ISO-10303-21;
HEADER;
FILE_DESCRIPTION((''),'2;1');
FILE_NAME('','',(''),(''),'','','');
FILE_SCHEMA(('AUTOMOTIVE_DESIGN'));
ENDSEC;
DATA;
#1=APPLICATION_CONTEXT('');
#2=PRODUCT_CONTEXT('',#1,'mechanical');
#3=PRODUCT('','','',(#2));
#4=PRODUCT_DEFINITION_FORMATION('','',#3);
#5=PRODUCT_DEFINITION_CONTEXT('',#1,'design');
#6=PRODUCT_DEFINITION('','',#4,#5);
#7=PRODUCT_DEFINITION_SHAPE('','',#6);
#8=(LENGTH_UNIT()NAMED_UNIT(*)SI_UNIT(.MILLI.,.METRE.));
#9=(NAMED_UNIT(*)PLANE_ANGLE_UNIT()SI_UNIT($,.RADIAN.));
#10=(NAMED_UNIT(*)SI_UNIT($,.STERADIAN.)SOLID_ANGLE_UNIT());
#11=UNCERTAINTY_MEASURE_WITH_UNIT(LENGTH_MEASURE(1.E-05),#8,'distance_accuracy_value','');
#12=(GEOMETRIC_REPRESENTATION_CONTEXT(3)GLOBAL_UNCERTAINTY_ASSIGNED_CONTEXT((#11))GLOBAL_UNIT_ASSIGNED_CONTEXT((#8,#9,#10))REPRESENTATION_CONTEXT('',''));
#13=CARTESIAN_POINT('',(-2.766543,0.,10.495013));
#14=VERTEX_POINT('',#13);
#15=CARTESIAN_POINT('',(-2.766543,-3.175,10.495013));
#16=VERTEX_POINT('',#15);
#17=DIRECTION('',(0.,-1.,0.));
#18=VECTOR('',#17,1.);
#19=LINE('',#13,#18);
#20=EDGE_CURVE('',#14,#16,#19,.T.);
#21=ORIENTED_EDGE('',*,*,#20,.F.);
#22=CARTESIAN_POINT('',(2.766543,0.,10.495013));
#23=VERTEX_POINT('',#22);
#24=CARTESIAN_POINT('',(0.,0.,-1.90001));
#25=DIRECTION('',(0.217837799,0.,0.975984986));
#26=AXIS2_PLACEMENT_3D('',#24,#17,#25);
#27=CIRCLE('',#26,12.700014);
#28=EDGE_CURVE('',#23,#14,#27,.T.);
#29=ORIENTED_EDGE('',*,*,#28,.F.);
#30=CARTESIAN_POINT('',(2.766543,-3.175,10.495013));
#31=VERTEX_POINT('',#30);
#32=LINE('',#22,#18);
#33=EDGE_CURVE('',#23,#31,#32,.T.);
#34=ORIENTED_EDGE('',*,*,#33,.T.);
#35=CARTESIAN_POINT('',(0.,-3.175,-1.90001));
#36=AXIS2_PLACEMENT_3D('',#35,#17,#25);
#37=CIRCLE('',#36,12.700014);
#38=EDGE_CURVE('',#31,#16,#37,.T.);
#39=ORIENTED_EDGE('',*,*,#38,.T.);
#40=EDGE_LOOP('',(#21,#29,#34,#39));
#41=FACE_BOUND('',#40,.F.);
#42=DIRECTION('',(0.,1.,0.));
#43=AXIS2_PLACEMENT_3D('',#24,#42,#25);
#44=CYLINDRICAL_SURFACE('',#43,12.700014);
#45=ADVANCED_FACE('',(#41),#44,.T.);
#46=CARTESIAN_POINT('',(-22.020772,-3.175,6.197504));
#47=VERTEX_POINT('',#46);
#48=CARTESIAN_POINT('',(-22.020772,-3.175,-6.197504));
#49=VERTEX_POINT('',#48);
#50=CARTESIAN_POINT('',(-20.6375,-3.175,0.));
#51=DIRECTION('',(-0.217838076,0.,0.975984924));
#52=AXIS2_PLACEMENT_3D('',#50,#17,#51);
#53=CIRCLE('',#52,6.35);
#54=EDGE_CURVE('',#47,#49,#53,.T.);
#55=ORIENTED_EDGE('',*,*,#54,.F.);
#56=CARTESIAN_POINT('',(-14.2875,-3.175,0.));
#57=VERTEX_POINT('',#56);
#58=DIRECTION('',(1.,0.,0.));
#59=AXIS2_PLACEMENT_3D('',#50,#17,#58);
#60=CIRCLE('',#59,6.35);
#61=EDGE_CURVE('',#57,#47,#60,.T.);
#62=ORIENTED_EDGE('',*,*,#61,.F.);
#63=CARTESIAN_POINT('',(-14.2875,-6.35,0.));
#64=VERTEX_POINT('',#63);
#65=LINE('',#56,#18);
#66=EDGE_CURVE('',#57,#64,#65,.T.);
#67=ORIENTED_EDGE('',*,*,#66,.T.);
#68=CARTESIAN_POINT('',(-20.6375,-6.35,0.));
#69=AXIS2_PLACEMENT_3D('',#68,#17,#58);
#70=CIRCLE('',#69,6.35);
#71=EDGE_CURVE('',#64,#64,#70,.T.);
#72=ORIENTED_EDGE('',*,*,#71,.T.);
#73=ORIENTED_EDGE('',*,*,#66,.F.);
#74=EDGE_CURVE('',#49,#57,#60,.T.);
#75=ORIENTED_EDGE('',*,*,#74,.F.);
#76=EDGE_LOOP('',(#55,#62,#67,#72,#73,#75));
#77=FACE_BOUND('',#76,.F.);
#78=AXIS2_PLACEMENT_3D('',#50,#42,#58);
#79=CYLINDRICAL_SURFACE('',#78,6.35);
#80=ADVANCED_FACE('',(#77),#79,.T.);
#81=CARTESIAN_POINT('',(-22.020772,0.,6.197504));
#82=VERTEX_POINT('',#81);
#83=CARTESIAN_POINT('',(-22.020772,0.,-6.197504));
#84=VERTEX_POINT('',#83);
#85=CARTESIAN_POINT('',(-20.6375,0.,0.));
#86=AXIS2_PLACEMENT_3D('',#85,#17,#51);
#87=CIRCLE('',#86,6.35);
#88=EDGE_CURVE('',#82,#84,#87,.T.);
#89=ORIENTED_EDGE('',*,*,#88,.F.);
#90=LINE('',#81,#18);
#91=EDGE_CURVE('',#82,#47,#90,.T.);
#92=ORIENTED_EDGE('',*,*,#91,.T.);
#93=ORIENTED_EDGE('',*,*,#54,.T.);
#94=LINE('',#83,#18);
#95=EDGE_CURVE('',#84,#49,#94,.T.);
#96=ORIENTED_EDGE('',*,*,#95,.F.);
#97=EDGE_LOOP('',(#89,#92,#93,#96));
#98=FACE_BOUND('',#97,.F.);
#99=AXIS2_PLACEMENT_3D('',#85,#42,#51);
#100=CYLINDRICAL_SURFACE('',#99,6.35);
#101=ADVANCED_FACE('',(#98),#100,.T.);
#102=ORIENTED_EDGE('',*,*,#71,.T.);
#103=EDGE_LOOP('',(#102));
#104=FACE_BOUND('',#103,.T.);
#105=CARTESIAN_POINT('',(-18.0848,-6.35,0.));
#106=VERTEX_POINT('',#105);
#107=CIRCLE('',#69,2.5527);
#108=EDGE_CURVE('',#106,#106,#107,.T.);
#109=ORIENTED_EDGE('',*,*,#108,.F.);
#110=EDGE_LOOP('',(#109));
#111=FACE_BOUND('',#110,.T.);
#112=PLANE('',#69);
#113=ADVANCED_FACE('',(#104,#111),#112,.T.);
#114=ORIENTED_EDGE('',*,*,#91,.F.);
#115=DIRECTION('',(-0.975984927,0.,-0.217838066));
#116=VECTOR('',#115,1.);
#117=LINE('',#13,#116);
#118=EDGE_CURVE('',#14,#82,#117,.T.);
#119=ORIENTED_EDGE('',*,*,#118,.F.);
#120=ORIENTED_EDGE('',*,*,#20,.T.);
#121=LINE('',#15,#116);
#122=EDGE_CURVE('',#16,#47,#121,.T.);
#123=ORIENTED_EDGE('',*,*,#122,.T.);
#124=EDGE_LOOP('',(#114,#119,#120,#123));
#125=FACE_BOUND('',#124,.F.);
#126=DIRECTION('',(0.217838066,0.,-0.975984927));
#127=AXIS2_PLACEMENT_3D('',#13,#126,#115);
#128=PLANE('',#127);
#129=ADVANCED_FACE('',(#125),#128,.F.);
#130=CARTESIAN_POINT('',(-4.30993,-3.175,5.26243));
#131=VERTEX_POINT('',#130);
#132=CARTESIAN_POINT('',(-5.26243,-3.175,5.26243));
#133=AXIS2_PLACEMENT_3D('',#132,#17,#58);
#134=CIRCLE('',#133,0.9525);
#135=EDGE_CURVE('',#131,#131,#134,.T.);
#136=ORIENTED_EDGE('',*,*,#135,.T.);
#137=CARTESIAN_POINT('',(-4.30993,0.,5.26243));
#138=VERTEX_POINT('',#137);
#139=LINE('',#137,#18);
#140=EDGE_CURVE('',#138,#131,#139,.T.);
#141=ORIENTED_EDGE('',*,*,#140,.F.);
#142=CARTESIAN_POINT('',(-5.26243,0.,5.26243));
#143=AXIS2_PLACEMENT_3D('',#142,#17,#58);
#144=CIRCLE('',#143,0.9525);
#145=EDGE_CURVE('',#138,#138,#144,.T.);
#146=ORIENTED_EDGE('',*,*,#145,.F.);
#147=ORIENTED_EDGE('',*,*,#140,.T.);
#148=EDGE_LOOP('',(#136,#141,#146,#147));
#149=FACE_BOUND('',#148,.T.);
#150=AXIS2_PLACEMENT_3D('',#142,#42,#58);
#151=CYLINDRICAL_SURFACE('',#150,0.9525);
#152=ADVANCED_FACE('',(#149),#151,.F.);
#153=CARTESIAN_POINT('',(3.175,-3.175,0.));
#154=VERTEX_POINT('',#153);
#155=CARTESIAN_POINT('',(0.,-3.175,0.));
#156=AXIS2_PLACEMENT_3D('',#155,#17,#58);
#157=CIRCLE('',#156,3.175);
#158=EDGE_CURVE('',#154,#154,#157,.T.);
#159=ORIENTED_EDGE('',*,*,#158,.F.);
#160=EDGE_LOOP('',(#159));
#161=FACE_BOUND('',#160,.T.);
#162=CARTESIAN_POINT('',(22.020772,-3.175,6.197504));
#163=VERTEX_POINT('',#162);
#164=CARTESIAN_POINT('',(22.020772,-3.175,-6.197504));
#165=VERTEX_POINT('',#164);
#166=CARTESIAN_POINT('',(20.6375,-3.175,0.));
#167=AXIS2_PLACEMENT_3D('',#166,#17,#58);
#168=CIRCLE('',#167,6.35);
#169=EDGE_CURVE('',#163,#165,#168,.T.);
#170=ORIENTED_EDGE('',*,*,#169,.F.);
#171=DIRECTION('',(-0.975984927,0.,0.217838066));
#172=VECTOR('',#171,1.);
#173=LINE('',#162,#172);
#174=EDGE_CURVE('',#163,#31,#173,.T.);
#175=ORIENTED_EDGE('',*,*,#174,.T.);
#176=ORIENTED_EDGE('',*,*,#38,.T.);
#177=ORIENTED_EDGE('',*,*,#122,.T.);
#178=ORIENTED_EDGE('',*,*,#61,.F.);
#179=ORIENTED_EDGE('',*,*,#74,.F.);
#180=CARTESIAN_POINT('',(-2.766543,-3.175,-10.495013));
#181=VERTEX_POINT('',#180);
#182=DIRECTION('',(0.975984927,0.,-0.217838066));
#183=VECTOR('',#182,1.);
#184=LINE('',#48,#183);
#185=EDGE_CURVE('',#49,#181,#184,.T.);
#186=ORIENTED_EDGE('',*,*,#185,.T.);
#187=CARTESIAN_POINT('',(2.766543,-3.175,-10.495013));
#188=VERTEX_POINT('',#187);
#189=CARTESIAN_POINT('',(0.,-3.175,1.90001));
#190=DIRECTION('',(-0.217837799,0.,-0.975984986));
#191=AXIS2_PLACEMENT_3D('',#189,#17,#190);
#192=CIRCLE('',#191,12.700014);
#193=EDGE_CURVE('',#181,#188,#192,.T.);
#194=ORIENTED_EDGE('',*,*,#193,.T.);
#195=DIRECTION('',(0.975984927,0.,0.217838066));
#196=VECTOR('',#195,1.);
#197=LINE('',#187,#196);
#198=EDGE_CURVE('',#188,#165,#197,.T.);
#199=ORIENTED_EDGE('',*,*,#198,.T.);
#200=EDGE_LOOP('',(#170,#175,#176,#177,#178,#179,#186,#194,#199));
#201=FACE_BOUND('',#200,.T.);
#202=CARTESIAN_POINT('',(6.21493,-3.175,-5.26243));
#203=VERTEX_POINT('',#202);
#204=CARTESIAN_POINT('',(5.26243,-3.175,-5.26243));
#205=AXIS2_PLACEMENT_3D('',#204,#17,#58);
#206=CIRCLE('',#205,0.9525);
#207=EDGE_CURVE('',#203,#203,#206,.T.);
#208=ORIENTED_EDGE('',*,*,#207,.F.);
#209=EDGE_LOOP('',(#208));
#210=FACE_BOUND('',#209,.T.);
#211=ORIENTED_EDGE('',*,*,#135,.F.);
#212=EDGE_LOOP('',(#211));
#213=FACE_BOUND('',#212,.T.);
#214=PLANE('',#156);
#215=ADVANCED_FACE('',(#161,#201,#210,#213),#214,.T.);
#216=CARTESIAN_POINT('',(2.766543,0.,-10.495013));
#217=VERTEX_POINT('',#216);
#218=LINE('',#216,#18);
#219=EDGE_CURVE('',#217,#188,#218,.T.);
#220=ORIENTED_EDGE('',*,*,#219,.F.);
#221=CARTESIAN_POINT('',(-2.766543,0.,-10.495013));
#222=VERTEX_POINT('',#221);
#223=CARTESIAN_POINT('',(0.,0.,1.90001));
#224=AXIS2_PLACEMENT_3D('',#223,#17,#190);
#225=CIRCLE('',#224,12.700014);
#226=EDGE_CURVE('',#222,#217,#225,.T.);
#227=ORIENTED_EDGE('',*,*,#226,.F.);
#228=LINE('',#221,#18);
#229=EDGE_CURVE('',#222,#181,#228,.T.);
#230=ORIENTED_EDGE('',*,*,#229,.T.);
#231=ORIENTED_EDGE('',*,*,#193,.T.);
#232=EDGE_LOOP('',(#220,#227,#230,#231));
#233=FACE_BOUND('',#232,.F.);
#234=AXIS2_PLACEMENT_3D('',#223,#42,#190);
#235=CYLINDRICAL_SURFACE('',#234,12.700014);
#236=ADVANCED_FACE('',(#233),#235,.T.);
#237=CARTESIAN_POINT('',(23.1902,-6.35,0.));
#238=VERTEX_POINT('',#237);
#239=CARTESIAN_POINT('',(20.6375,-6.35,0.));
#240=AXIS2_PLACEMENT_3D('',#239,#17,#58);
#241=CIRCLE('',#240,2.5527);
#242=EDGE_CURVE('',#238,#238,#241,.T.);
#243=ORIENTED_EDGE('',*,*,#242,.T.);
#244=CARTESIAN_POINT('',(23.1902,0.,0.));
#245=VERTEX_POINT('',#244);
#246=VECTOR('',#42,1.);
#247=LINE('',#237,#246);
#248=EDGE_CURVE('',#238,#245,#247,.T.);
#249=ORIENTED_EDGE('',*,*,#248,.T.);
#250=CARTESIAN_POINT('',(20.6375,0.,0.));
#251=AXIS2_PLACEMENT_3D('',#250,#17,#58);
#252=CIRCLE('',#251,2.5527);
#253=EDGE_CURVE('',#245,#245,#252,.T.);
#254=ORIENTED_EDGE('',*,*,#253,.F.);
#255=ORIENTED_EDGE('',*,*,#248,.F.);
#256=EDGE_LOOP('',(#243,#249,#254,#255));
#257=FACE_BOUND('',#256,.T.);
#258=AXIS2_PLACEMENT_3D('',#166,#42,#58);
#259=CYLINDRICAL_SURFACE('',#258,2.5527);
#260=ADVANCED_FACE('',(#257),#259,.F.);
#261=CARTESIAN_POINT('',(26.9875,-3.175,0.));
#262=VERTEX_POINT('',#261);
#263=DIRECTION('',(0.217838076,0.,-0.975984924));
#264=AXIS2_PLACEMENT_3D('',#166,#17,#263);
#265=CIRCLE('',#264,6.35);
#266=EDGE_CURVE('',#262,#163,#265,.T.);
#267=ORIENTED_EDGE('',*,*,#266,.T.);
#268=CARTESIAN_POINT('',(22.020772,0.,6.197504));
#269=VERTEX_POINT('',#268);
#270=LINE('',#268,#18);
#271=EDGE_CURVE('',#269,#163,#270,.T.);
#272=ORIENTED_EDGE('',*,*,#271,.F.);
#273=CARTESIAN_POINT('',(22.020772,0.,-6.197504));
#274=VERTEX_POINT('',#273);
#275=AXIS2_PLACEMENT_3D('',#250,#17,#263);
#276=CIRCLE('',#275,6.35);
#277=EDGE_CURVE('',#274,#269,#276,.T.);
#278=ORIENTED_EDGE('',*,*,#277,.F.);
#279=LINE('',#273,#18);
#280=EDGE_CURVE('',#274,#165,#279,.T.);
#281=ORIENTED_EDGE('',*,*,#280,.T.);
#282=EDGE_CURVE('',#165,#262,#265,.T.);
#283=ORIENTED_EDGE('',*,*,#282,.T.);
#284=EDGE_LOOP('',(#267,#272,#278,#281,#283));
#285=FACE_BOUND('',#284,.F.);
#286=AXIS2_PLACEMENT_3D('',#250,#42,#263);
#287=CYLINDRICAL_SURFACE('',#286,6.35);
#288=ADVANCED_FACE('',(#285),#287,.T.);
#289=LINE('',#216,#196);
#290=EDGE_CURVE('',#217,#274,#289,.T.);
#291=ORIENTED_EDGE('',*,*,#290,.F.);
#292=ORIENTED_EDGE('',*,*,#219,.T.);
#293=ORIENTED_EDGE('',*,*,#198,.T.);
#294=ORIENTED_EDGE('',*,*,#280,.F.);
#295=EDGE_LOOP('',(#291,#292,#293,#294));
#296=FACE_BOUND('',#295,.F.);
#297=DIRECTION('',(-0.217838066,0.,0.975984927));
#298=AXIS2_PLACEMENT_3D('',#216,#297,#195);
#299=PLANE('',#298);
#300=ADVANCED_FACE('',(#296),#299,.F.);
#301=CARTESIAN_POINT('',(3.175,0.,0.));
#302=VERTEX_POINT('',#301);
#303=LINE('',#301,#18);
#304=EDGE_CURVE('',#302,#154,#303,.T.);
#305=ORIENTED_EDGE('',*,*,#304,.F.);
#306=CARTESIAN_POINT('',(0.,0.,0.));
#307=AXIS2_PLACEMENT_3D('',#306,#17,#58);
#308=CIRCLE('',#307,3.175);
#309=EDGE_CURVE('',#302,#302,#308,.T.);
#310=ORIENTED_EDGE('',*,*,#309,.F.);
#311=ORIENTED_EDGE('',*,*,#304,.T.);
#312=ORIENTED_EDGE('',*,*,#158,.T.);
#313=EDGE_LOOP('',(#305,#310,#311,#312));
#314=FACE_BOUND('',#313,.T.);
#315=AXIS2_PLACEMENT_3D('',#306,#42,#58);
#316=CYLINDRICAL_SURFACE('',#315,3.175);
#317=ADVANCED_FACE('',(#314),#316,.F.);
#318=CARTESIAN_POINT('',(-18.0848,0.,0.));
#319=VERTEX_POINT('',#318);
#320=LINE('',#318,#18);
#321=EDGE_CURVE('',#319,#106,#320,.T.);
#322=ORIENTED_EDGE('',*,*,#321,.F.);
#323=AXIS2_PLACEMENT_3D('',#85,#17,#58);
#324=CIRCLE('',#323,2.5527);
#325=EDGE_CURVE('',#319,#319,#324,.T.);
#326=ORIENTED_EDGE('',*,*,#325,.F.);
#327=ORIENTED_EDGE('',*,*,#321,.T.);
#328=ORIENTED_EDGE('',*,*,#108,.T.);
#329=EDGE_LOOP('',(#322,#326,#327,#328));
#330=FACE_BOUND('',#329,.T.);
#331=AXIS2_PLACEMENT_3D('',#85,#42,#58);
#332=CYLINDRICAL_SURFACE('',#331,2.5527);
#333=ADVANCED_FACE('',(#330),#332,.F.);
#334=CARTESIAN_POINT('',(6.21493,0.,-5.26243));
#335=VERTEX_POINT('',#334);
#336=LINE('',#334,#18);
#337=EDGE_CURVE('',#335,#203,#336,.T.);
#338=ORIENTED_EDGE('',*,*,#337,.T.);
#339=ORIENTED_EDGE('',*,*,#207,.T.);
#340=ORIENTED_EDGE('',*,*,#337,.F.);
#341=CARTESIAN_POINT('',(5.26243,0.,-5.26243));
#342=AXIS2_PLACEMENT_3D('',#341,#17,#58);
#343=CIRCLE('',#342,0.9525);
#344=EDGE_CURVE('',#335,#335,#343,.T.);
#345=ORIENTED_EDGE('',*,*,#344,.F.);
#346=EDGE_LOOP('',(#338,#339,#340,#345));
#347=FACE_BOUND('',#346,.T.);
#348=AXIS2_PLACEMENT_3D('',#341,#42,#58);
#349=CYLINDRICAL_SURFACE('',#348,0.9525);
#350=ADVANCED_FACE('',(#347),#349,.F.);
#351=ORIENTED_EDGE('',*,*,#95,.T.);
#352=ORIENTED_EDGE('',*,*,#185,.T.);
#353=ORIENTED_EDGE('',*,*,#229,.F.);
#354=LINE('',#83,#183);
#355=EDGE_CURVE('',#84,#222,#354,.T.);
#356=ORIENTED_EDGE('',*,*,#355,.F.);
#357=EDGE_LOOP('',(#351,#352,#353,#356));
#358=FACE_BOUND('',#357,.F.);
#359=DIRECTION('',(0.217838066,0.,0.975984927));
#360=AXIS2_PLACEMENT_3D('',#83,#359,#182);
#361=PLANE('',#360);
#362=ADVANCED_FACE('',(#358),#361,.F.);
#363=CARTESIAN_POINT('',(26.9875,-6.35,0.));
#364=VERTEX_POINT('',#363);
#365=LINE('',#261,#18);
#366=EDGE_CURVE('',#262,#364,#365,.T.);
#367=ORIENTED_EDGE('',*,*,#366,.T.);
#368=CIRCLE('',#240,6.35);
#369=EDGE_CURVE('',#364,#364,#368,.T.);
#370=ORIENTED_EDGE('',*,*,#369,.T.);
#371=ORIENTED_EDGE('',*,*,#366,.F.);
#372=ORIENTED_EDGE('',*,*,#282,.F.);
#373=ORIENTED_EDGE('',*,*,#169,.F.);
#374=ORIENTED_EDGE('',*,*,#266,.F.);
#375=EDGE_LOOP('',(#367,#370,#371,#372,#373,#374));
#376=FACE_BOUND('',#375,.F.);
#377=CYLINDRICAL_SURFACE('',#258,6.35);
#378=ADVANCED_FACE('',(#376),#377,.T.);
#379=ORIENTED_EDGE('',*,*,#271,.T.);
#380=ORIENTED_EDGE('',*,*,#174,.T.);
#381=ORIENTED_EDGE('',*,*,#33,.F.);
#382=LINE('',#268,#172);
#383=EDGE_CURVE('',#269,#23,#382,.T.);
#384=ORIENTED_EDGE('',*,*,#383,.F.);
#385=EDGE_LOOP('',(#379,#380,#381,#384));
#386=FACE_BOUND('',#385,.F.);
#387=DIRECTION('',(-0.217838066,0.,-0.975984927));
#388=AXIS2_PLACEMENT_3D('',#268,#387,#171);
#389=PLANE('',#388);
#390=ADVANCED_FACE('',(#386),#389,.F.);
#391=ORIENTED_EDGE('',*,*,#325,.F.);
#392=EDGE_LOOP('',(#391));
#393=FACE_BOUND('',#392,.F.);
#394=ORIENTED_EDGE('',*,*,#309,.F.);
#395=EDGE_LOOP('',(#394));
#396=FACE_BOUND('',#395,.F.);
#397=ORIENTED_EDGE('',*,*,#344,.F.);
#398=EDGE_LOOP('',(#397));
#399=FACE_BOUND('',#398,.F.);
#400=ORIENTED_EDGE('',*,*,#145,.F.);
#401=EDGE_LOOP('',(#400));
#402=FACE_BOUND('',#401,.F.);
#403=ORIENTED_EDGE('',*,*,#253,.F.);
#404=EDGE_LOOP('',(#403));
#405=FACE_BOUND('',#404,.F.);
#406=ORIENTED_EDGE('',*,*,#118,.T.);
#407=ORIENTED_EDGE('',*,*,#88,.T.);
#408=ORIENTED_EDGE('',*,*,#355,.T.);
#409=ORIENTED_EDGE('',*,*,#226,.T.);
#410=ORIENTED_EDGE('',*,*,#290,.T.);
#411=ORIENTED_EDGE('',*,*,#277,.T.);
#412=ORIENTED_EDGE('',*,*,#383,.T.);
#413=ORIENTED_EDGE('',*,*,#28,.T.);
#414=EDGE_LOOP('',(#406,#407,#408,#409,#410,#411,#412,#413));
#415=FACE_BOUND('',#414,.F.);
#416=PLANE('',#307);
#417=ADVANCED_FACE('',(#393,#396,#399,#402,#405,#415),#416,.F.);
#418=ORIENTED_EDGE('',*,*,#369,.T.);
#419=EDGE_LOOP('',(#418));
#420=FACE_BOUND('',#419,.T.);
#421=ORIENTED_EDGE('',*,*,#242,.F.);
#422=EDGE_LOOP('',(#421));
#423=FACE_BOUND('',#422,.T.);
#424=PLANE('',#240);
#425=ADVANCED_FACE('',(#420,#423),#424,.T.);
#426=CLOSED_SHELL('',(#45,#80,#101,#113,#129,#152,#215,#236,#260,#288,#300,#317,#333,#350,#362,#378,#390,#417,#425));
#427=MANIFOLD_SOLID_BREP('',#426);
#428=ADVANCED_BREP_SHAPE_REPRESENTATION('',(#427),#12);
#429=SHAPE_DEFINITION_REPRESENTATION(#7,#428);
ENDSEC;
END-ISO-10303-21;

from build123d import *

# Parameters (mm, degrees)
F0_R     = 0.9525
F0_R_2   = 2.5527
F0_R_3   = 3.175
F1_DEPTH = 3.175
F2_R     = 6.35
F2_R_2   = 2.5527
F3_DEPTH = 3.175


with BuildPart() as f1:
    # F0 (on Front) → F1 (new body)
    with BuildSketch(Plane.XZ):
        with BuildLine():
            Line((-2.766543, 10.495013), (-22.020772, 6.197504))
            ThreePointArc((-22.020772, 6.197504), (-26.9875, 0), (-22.020772, -6.197504))
            Line((-22.020772, -6.197504), (-2.766543, -10.495013))
            ThreePointArc((-2.766543, -10.495013), (0, -10.800004), (2.766543, -10.495013))
            Line((2.766543, -10.495013), (22.020772, -6.197504))
            ThreePointArc((22.020772, -6.197504), (26.9875, 0), (22.020772, 6.197504))
            Line((22.020772, 6.197504), (2.766543, 10.495013))
            ThreePointArc((2.766543, 10.495013), (0, 10.800004), (-2.766543, 10.495013))
        make_face()
        with Locations((5.26243, -5.26243)):
            Circle(F0_R, mode=Mode.SUBTRACT)
        with Locations((-20.6375, 0)):
            Circle(F0_R_2, mode=Mode.SUBTRACT)
        with Locations((-5.26243, 5.26243)):
            Circle(F0_R, mode=Mode.SUBTRACT)
        Circle(F0_R_3, mode=Mode.SUBTRACT)
        with Locations((20.6375, 0)):
            Circle(F0_R_2, mode=Mode.SUBTRACT)
    extrude(amount=F1_DEPTH)

    # F2 (on face) → F3 (join)
    with BuildSketch(Plane.XZ.offset(3.175)):
        with Locations((20.6375, 0)):
            Circle(F2_R)
        with Locations((20.6375, 0)):
            Circle(F2_R_2, mode=Mode.SUBTRACT)
        with Locations((-20.6375, 0)):
            Circle(F2_R)
        with Locations((-20.6375, 0)):
            Circle(F2_R_2, mode=Mode.SUBTRACT)
    extrude(amount=F3_DEPTH)


solid = f1.part
